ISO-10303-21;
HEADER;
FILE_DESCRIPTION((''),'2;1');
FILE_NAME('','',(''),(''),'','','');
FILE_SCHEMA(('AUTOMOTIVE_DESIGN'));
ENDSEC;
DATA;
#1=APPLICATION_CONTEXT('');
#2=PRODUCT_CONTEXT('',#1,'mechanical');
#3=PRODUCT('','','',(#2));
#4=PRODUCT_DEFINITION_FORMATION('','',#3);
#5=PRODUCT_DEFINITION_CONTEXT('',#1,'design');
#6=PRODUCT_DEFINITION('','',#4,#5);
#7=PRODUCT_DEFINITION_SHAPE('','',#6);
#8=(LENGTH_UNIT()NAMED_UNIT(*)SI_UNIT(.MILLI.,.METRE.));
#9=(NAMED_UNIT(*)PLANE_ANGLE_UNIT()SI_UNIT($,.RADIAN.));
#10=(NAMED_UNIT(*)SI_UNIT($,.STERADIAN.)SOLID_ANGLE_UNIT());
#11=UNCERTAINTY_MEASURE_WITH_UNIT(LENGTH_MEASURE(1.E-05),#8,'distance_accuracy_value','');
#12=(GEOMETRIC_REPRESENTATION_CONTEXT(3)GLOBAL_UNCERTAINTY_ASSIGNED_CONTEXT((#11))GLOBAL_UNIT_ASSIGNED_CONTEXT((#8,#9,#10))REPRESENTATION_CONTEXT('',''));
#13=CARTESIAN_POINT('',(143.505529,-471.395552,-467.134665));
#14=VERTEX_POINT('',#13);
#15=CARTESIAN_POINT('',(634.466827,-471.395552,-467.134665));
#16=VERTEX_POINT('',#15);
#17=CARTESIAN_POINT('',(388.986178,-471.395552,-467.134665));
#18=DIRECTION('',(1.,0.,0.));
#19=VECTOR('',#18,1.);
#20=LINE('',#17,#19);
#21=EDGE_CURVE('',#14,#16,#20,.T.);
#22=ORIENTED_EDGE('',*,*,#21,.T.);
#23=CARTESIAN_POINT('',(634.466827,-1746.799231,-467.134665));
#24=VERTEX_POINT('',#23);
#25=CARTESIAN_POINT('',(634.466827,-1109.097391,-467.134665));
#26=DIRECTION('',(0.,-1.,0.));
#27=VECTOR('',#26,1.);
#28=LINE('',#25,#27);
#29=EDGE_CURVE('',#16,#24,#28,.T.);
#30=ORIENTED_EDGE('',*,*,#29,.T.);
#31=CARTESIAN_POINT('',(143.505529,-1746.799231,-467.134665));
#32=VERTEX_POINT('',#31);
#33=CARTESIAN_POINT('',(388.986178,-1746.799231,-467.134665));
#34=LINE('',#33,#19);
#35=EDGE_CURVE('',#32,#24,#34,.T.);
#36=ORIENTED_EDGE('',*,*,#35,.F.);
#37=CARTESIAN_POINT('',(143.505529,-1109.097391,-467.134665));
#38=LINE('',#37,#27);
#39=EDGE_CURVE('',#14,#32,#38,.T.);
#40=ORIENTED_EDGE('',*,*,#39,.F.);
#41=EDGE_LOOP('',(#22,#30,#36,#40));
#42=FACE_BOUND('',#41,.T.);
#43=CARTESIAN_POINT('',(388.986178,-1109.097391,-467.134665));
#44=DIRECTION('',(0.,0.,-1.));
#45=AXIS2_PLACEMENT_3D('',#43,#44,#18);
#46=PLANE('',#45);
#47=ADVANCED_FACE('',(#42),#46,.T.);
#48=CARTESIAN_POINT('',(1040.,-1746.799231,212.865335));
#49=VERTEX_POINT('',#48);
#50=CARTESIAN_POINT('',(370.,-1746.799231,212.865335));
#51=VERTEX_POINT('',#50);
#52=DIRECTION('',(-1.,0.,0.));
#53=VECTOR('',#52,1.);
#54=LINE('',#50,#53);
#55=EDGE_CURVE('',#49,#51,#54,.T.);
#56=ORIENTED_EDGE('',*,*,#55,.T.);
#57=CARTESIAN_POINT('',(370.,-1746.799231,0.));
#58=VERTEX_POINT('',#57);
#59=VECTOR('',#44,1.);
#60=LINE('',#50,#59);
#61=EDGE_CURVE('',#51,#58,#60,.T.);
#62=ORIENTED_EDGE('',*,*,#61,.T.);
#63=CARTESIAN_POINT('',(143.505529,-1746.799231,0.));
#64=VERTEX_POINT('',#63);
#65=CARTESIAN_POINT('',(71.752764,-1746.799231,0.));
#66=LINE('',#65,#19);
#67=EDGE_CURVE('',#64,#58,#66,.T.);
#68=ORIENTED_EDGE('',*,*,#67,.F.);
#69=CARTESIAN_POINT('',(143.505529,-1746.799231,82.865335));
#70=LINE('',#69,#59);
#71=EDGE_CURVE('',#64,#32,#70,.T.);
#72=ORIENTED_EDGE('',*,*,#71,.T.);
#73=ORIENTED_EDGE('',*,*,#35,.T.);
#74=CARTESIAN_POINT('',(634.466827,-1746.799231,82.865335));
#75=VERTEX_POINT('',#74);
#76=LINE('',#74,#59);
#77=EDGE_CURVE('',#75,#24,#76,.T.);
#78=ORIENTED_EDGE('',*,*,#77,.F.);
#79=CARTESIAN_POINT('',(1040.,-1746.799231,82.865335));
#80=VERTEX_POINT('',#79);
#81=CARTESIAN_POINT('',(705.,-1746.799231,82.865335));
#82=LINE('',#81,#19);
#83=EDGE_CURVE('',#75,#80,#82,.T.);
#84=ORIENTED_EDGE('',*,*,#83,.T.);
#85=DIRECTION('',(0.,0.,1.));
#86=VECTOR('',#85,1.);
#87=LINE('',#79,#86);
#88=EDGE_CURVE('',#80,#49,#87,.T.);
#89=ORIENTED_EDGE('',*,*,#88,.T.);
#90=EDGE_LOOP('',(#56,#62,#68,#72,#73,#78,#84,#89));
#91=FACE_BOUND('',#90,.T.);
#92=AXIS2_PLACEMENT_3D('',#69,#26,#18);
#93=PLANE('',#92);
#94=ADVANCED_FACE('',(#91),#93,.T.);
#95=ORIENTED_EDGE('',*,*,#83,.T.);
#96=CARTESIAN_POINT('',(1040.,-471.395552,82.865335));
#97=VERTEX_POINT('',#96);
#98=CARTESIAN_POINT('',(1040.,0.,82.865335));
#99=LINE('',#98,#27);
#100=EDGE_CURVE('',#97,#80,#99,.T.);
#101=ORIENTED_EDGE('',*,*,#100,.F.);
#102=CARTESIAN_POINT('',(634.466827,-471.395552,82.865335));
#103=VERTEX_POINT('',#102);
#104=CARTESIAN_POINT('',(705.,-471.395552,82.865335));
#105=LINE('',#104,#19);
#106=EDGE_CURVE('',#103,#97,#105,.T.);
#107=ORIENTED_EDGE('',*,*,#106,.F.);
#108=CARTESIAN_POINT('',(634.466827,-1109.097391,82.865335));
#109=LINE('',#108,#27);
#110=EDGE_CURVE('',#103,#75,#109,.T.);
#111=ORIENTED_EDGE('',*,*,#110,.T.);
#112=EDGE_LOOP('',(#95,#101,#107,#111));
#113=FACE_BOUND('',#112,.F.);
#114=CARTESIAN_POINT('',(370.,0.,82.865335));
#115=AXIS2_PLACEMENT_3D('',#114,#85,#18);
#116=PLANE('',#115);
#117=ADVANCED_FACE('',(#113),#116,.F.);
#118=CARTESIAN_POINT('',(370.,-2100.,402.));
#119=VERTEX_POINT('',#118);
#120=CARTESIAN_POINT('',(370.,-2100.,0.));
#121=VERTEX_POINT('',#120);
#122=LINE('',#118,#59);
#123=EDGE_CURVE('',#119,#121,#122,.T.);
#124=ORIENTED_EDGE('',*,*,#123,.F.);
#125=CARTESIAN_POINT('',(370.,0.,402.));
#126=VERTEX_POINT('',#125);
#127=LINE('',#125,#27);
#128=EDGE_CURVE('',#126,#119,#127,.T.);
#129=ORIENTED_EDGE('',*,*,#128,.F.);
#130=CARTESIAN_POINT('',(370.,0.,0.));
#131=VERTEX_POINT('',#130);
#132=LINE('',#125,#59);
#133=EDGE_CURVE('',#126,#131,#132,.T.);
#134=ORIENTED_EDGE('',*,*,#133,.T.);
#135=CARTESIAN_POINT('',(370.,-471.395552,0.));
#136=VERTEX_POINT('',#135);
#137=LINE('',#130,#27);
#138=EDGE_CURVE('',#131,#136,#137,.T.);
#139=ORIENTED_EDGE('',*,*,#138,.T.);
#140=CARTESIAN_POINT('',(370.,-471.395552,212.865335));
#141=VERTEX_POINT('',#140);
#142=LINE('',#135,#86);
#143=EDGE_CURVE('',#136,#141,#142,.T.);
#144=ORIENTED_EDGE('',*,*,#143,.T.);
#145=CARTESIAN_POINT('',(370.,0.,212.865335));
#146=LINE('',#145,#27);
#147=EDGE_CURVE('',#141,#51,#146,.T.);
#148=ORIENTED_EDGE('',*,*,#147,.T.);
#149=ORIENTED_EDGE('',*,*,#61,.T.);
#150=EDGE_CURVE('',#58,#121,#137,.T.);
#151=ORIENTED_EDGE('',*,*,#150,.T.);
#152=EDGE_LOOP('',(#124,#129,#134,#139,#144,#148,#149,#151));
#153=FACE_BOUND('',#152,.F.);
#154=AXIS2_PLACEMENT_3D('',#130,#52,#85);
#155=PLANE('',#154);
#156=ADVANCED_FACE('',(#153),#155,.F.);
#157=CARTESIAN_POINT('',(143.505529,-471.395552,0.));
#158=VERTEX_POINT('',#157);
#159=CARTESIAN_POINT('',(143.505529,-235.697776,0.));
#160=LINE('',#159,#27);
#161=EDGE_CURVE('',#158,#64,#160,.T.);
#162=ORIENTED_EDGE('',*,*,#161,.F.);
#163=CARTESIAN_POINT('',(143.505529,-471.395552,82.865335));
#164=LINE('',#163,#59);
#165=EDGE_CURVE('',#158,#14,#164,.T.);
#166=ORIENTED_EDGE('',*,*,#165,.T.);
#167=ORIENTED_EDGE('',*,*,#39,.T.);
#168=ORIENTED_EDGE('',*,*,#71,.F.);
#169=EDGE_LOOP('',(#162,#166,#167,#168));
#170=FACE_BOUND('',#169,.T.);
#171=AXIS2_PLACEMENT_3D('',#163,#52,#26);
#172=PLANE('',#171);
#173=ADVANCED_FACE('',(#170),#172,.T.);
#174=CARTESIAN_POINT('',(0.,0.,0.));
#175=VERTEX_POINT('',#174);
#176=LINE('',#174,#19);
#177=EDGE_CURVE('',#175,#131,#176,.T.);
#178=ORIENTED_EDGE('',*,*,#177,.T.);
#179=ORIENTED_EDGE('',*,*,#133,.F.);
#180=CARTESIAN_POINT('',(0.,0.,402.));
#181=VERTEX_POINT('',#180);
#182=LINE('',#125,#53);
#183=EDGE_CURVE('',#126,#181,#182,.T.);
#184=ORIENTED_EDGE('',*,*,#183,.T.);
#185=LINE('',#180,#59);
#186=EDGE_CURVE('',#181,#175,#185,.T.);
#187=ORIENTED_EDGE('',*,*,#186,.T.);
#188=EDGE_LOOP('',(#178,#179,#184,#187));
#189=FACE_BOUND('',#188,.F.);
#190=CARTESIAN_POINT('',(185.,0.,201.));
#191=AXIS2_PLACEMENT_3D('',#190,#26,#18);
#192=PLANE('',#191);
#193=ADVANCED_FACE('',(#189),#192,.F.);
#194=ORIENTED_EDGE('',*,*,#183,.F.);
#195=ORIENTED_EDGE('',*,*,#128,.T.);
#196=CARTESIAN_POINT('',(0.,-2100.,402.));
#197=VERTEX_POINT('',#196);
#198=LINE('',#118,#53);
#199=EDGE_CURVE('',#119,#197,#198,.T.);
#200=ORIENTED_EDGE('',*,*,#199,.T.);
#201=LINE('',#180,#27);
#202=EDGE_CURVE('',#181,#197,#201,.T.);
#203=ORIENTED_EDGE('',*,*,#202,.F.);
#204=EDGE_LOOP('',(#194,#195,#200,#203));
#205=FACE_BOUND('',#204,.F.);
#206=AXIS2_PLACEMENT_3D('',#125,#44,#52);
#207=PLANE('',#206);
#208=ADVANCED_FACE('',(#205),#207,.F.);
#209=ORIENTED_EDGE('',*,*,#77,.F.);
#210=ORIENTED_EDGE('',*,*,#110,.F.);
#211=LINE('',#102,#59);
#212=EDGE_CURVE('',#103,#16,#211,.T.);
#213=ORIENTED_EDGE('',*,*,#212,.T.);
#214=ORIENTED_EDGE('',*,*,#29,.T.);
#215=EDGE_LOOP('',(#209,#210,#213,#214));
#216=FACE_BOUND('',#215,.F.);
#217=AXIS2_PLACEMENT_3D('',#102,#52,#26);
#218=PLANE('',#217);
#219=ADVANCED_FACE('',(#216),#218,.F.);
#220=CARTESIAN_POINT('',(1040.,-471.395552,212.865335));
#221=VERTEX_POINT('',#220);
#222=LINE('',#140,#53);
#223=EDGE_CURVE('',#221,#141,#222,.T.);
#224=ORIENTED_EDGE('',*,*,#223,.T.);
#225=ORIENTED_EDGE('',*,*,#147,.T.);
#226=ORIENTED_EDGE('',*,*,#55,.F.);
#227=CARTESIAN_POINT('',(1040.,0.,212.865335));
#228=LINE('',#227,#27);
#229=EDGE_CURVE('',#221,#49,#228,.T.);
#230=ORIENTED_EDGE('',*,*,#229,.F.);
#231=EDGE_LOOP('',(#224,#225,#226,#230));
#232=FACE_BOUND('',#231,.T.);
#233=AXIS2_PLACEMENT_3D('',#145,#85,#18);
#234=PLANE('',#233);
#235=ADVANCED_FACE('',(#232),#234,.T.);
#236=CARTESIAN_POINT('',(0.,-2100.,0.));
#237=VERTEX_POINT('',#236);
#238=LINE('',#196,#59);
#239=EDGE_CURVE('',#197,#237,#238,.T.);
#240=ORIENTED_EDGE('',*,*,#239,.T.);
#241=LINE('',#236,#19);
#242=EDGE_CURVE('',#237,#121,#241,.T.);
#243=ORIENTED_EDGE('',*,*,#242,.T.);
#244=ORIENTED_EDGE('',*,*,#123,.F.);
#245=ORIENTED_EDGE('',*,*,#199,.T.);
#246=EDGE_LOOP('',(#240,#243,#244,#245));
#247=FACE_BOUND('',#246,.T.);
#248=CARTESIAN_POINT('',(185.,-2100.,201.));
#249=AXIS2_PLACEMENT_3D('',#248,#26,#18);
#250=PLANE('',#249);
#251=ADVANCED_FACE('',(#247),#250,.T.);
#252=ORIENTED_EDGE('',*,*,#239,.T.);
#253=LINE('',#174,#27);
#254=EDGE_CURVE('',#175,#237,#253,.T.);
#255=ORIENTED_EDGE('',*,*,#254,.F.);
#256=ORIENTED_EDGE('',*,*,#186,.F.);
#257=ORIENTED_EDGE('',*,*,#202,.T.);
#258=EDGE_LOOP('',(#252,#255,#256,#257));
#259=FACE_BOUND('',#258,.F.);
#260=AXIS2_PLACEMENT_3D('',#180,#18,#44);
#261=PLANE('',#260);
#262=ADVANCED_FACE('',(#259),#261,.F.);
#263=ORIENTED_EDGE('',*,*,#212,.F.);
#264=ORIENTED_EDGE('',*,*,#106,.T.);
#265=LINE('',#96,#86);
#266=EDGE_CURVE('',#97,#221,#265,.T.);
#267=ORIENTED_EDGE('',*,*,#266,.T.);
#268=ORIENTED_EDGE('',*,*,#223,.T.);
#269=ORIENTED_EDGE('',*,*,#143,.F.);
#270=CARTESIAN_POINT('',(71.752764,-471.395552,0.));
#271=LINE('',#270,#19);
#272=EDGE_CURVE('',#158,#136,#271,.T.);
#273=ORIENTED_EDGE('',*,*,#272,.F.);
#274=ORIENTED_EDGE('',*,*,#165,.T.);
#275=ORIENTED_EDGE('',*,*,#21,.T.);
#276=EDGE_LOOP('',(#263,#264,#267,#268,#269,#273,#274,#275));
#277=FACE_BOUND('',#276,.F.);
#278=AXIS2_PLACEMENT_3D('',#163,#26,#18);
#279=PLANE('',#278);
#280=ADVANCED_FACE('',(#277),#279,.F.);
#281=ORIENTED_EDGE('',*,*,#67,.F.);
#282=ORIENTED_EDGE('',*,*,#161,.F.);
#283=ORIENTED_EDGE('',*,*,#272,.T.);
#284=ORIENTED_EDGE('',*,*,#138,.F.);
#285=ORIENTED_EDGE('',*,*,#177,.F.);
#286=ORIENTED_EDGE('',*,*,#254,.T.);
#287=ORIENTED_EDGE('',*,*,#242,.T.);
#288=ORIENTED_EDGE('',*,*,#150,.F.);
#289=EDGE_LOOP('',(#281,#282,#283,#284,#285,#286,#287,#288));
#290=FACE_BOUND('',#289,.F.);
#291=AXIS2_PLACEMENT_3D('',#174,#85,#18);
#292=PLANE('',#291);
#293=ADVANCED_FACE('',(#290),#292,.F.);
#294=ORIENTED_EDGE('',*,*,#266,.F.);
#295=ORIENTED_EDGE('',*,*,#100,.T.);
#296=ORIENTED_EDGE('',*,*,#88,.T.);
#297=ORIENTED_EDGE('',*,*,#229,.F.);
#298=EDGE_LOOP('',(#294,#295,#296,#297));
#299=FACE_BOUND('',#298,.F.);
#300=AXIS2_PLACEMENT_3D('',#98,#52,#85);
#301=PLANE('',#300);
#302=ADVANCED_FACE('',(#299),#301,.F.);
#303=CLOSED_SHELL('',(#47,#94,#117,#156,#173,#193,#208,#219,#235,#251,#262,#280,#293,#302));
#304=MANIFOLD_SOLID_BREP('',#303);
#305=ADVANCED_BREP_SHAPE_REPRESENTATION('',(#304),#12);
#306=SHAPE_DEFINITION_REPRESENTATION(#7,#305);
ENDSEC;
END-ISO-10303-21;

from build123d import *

# Parameters (mm, degrees)
F0_W     = 670
F0_H     = 130
F1_DEPTH = 2100
F2_W     = 490.9612983465
F2_H     = 1275.4036784172
F3_DEPTH = 550
F4_W     = 670
F4_H     = 471.3955521584
F4_H_2   = 353.2007694244
F5_DEPTH = 500


with BuildPart() as f1:
    # F0 (on Front) → F1 (new body)
    with BuildSketch(Plane.XZ):
        Polygon((0, 402), (0, 0), (370, 0), (370, 82.8653350472), (370, 212.8653350472), (370, 402), align=None)
        with Locations((705, 147.8653350472)):
            Rectangle(F0_W, F0_H)
    extrude(amount=F1_DEPTH)

    # F2 (on face) → F3 (join)
    with BuildSketch(Plane(origin=(0, 0, 82.8653350472), x_dir=(1, 0, 0), z_dir=(0, 0, -1))):
        with Locations((388.9861777425, 1109.097391367)):
            Rectangle(F2_W, F2_H)
    extrude(amount=F3_DEPTH)

    # F4 (on face) → F5 (cut)
    with BuildSketch(Plane(origin=(0, 0, 82.8653350472), x_dir=(1, 0, 0), z_dir=(0, 0, -1))):
        with Locations((705, 235.6977760792)):
            Rectangle(F4_W, F4_H)
        with Locations((705, 1923.3996152878)):
            Rectangle(F4_W, F4_H_2)
    extrude(amount=-F5_DEPTH, mode=Mode.SUBTRACT)


solid = f1.part
